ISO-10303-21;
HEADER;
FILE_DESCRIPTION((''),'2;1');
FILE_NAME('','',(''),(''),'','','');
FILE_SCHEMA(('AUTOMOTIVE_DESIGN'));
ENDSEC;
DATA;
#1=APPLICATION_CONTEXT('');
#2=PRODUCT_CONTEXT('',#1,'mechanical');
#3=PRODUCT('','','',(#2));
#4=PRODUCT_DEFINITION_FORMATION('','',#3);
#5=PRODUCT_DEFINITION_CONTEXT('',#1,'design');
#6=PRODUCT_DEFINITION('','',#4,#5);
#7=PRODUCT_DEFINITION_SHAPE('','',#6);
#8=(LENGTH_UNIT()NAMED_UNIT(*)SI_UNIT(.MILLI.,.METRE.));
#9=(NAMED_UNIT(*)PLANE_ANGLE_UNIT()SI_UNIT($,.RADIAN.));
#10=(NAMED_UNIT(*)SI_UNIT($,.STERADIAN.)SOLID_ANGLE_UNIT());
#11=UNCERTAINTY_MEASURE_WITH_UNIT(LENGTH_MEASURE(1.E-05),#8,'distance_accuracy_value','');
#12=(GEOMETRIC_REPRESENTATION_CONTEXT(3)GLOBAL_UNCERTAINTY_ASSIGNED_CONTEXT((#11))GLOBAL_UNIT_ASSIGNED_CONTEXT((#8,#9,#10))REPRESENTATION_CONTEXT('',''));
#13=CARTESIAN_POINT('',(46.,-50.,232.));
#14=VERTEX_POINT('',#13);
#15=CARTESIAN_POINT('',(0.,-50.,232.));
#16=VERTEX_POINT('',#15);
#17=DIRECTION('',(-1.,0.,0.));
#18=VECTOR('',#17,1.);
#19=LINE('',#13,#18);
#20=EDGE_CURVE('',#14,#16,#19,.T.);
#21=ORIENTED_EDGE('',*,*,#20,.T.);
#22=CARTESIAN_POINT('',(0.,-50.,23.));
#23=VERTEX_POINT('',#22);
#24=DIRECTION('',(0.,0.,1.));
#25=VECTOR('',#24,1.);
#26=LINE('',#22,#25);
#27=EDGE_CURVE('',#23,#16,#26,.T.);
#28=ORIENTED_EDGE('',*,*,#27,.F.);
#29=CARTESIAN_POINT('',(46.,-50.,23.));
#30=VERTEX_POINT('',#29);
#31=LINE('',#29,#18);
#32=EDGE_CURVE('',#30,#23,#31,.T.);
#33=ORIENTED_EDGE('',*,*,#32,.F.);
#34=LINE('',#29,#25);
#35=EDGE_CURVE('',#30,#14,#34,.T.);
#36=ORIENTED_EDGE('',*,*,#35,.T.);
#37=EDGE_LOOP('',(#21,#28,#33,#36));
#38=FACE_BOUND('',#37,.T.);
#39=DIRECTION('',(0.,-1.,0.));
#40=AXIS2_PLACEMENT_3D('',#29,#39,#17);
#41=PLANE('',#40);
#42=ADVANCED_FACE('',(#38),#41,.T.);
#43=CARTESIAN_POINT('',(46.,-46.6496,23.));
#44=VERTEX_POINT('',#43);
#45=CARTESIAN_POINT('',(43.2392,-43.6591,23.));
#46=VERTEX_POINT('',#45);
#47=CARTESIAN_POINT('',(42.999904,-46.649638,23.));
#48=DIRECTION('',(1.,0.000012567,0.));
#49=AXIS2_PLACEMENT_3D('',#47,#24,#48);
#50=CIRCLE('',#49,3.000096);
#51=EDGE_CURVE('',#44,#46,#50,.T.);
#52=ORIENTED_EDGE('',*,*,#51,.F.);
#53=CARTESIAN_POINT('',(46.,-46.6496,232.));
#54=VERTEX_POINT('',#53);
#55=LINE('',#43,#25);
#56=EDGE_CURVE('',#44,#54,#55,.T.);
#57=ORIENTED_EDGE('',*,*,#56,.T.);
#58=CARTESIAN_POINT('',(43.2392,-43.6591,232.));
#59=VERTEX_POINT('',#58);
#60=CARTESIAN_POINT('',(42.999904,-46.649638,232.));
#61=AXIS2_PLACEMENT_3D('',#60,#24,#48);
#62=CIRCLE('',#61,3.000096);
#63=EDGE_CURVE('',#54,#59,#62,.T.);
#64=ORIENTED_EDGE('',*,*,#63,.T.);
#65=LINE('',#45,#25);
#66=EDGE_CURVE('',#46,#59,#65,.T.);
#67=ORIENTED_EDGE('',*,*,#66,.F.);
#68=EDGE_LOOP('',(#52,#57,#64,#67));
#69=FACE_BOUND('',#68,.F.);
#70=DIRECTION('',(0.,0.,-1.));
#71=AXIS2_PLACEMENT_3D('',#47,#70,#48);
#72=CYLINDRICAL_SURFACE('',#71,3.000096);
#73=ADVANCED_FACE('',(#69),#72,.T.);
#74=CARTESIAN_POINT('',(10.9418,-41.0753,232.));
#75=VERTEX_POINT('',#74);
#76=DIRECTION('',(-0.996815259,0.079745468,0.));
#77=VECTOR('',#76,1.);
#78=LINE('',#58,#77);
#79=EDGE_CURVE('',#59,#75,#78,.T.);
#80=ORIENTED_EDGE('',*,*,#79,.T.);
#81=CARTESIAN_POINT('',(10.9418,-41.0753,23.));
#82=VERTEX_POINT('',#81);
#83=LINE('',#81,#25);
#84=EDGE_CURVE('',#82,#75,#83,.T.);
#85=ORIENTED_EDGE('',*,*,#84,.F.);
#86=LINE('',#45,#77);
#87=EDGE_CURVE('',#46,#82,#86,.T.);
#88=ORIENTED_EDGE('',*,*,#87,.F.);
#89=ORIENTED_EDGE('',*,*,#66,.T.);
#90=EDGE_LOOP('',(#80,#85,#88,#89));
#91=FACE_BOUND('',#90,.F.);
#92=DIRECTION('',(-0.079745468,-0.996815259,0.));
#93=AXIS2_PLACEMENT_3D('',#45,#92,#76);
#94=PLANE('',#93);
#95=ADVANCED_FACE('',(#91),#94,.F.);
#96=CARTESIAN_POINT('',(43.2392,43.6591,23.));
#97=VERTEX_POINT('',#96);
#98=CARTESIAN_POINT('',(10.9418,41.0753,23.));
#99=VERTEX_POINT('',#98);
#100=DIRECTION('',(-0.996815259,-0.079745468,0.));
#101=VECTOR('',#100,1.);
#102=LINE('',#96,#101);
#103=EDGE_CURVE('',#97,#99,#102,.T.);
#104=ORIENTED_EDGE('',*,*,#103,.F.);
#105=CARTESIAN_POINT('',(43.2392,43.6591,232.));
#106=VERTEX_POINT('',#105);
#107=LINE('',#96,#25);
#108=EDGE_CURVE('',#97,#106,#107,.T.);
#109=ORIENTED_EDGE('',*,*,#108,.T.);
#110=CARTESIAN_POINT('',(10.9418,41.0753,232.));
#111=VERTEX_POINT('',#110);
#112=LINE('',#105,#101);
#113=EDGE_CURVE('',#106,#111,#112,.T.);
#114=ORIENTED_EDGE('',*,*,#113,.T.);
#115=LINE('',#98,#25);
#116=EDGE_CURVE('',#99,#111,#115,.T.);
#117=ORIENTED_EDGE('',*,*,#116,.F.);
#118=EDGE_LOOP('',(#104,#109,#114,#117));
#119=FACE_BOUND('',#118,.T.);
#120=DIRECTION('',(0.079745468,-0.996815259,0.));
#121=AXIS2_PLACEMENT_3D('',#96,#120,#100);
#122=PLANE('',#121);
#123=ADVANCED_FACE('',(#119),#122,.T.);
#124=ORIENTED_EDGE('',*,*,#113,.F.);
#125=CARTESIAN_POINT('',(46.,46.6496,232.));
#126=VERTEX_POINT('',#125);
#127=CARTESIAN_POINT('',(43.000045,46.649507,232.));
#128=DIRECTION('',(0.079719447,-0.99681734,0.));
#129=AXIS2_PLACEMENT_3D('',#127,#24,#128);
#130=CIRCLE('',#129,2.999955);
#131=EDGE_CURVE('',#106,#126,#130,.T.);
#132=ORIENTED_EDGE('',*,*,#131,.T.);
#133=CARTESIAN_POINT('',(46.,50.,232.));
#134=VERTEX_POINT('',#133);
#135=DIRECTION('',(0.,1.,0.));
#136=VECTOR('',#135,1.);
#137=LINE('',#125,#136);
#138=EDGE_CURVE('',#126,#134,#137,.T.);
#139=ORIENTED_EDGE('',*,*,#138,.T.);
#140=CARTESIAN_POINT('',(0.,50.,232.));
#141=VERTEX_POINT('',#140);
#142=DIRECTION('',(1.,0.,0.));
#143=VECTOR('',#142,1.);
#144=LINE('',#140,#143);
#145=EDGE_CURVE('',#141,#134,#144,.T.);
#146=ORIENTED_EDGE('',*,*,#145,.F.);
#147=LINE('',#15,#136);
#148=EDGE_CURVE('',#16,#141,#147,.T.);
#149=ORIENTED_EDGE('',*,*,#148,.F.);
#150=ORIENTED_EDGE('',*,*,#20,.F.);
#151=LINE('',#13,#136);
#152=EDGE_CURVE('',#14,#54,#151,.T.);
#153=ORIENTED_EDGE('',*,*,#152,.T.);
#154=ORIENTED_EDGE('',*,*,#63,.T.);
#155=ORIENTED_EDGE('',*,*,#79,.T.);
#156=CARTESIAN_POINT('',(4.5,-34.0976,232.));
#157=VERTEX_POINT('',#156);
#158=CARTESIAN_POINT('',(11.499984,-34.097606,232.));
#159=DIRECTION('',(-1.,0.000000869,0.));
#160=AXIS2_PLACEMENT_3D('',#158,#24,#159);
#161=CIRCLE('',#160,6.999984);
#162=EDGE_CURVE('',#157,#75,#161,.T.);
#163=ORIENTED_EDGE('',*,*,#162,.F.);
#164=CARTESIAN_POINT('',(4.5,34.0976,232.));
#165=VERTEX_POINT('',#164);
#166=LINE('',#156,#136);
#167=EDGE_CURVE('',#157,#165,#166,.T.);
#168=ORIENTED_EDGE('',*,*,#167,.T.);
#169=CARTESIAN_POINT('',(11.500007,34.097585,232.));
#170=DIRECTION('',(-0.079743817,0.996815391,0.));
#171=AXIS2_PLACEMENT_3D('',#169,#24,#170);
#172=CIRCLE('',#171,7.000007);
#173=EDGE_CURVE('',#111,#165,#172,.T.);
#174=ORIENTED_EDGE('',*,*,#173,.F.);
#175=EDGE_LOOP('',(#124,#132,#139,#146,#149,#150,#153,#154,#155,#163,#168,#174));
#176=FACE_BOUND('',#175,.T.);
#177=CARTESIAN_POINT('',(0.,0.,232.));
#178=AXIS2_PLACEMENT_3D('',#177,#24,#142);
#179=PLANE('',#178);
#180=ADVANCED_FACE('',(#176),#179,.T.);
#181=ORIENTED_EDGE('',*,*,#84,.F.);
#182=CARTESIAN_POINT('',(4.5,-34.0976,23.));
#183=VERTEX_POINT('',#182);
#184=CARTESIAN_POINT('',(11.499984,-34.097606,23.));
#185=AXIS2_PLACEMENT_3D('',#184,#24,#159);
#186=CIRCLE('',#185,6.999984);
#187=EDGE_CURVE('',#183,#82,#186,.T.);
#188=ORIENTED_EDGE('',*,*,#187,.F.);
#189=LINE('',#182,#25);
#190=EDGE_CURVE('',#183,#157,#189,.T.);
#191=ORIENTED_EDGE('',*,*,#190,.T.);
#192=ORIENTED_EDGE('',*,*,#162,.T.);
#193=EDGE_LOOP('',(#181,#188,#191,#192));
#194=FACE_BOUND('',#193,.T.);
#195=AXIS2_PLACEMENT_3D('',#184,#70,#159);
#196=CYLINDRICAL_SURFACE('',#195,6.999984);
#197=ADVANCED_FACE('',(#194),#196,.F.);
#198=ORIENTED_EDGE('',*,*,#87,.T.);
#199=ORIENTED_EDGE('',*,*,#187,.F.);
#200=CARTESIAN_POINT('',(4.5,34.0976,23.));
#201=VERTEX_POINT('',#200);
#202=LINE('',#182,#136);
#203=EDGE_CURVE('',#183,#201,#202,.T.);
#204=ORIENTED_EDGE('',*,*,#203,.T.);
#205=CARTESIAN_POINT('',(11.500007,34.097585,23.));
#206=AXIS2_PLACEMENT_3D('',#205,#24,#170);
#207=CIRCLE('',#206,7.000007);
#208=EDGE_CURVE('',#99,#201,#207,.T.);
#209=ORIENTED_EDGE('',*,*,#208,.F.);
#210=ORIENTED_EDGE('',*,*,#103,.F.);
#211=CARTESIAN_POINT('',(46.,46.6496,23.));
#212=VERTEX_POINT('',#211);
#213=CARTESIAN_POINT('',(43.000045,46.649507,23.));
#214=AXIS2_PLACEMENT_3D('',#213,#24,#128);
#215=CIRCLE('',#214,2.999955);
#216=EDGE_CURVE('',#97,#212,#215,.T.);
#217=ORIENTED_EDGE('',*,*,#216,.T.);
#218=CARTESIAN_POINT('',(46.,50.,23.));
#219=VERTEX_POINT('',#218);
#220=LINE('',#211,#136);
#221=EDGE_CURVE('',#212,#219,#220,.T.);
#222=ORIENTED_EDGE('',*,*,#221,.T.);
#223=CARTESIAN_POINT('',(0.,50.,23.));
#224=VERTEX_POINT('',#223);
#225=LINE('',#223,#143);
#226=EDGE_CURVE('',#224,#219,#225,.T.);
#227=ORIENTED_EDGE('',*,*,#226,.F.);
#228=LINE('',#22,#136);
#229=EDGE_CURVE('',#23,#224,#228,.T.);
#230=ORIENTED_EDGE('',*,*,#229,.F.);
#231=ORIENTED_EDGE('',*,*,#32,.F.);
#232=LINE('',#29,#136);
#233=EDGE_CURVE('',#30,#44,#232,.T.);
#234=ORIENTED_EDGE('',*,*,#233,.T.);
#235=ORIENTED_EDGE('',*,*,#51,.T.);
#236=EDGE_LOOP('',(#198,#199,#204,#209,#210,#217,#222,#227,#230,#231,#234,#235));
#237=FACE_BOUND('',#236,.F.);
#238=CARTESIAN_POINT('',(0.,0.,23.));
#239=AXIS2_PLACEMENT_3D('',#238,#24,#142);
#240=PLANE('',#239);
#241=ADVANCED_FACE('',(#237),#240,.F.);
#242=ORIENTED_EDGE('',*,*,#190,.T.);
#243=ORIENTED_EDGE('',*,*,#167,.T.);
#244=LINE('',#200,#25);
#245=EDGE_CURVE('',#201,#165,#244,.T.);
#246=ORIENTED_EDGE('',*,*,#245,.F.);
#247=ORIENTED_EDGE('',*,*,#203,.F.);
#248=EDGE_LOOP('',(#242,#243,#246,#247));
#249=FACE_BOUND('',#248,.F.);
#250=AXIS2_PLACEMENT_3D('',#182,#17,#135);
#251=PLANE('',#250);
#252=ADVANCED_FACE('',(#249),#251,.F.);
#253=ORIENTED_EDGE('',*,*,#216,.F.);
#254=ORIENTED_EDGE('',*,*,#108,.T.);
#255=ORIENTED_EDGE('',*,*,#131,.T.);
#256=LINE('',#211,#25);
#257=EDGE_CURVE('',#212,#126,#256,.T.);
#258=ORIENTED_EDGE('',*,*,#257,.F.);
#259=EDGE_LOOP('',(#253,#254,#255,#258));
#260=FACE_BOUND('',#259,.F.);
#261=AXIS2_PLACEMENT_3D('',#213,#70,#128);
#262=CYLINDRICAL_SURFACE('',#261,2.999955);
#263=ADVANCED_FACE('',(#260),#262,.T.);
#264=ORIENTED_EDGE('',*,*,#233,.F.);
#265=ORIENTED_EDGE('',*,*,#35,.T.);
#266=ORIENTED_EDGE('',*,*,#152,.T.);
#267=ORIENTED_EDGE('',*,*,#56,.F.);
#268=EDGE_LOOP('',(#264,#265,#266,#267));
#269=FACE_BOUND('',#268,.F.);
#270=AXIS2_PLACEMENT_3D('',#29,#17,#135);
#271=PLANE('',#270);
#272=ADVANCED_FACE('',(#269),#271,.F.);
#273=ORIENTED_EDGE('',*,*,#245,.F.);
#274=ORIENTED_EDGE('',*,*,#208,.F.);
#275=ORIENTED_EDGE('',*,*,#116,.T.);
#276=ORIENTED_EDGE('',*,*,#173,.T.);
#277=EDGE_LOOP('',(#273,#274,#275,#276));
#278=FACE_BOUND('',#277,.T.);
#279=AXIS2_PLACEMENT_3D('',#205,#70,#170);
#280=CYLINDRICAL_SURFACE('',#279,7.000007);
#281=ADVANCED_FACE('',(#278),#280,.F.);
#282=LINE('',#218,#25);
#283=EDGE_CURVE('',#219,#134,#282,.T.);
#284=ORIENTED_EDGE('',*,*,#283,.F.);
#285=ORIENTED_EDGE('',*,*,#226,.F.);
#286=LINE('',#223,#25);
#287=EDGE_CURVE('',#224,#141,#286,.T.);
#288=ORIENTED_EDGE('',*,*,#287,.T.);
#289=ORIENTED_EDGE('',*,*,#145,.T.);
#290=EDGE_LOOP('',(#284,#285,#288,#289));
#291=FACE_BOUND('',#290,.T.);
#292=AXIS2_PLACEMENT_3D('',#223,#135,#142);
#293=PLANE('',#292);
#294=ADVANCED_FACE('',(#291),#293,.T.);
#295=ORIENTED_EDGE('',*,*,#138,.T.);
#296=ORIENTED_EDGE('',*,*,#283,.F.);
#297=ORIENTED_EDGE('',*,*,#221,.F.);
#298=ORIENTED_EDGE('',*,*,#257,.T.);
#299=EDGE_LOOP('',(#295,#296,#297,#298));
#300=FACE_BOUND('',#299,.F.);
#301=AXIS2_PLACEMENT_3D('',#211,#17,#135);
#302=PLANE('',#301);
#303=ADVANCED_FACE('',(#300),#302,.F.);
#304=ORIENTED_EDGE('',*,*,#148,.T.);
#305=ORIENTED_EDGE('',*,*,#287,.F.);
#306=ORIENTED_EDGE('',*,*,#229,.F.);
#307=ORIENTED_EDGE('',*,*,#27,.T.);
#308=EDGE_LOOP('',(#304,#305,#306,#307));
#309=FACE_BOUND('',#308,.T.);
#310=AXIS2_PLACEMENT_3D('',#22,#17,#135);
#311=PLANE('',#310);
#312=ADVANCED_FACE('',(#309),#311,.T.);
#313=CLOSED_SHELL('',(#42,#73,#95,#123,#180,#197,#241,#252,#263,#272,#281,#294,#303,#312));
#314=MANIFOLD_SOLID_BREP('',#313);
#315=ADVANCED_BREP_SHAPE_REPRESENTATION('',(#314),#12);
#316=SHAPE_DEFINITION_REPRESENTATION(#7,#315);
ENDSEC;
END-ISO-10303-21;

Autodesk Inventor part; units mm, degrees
ref_plane "Начальная плоскость" through (0, 0, 23) normal (0, 0, 1) x (1, 0, 0)
ref_plane "Конечная плоскость" through (0, 0, 232) normal (0, 0, 1) x (1, 0, 0)
sketch "Эскиз" plane through (0, 0, 0) normal (0, 0, 1) x (1, 0, 0)
  line L0 (46, -50) -> (0, -50)
  line L1 (46, -50) -> (46, -46.6496)
  line L2 (43.2392, -43.6591) -> (10.9418, -41.0753)
  line L3 (4.5, -34.0976) -> (4.5, 34.0976)
  line L4 (43.2392, 43.6591) -> (10.9418, 41.0753)
  line L5 (46, 46.6496) -> (46, 50)
  line L6 (0, 50) -> (46, 50)
  line L7 (0, -50) -> (0, 50)
  arc A0 (4.5, -34.0976) -> (10.9418, -41.0753) centre (11.5, -34.0976) ccw
  arc A1 (10.9418, 41.0753) -> (4.5, 34.0976) centre (11.5, 34.0976) ccw
  arc A2 (46, -46.6496) -> (43.2392, -43.6591) centre (43, -46.6496) ccw
  arc A3 (43.2392, 43.6591) -> (46, 46.6496) centre (43, 46.6496) ccw
  line L8 (0, 70) -> (0, -70) construction
  line L9 (-9.3169, 0) -> (55.9016, 0) construction
  point P0 (46, -43.88)
  point P1 (4.5, -40.56)
  point P2 (4.5, 40.56)
  point P3 (46, 43.88)
  dimension "d3" = 46
  dimension "d5" = 4.5
  dimension "d7" = 100
  dimension "d9" = 9.44
  dimension "d11" = 9.44
  dimension "d13" = 6.12
  dimension "d15" = 6.12
  dimension "d22" = 7
  dimension "d23" = 3
  dimension "d24" = 50
  dimension "d25" = 0
extrude "Тело" add sketch "Эскиз" along normal up to surface (209 mm away) from surface at 23
sketch "Sketch3" plane through (0, 0, 0) normal (0, 0, 1) x (1, 0, 0)
  line L0 (0, 0) -> (10, 0)
ref_plane "Work Plane7" through (0, 0, 0) normal (0, -1, 0) x (1, 0, 0)
sketch "Sketch4" plane through (0, 0, 0) normal (0, -1, 0) x (1, 0, 0)
  line L0 (-2, 23) -> (12, 23)
  line L1 (-2, 232) -> (12, 232)
  dimension "d29" = 209
ref_plane "РабПлоскость8" through (-474.5, -50, 23) normal (0, 0, -1) x (-1, 0, 0)
split "Разделение1" plane through (-474.5, -50, 23) removes the side toward (0, 0, -1)
ref_plane "РабПлоскость9" through (175.5, -50, 232) normal (0, 0, 1) x (1, 0, 0)
split "Разделение2" plane through (175.5, -50, 232) removes the side toward (0, 0, 1)
equation "\"d3\" = b"
equation "\"d5\" = t1"
equation "\"d7\" = ParH"
equation "\"d9\" = msp_x1 + t2"
equation "\"d11\" = msp_x1 + t2"
equation "\"d13\" = -msp_x2 + t2"
equation "\"d15\" = -msp_x2 + t2"
equation "\"d22\" = R"
equation "\"d23\" = R1"
equation "\"d24\" = 0.5 * d7"
equation "\"d16\" = G_L"
equation "\"R1\" = 3"
equation "\"R\" = 7"
equation "\"t1\" = 4.5"
equation "\"t2\" = 7.6"
equation "\"ParH\" = 100"
equation "\"b\" = 46"
equation "\"msp_x1\" = 0.04 * b"
equation "\"msp_x2\" = -0.08 * t1 + 0.04 * b"
equation "\"G_L\" = d29"
equation "\"ex\" = 0"
equation "\"G_OFFSET_START\" = -23"
equation "\"G_OFFSET_END\" = -23"
equation "\"d26\" = -G_OFFSET_START"
equation "\"d27\" = G_OFFSET_END + B_L"
equation "\"B_L\" = 255"
properties part number "Швеллер 10U-209 ГОСТ 8240-97" material "Сталь, мягкая, сварочная"
